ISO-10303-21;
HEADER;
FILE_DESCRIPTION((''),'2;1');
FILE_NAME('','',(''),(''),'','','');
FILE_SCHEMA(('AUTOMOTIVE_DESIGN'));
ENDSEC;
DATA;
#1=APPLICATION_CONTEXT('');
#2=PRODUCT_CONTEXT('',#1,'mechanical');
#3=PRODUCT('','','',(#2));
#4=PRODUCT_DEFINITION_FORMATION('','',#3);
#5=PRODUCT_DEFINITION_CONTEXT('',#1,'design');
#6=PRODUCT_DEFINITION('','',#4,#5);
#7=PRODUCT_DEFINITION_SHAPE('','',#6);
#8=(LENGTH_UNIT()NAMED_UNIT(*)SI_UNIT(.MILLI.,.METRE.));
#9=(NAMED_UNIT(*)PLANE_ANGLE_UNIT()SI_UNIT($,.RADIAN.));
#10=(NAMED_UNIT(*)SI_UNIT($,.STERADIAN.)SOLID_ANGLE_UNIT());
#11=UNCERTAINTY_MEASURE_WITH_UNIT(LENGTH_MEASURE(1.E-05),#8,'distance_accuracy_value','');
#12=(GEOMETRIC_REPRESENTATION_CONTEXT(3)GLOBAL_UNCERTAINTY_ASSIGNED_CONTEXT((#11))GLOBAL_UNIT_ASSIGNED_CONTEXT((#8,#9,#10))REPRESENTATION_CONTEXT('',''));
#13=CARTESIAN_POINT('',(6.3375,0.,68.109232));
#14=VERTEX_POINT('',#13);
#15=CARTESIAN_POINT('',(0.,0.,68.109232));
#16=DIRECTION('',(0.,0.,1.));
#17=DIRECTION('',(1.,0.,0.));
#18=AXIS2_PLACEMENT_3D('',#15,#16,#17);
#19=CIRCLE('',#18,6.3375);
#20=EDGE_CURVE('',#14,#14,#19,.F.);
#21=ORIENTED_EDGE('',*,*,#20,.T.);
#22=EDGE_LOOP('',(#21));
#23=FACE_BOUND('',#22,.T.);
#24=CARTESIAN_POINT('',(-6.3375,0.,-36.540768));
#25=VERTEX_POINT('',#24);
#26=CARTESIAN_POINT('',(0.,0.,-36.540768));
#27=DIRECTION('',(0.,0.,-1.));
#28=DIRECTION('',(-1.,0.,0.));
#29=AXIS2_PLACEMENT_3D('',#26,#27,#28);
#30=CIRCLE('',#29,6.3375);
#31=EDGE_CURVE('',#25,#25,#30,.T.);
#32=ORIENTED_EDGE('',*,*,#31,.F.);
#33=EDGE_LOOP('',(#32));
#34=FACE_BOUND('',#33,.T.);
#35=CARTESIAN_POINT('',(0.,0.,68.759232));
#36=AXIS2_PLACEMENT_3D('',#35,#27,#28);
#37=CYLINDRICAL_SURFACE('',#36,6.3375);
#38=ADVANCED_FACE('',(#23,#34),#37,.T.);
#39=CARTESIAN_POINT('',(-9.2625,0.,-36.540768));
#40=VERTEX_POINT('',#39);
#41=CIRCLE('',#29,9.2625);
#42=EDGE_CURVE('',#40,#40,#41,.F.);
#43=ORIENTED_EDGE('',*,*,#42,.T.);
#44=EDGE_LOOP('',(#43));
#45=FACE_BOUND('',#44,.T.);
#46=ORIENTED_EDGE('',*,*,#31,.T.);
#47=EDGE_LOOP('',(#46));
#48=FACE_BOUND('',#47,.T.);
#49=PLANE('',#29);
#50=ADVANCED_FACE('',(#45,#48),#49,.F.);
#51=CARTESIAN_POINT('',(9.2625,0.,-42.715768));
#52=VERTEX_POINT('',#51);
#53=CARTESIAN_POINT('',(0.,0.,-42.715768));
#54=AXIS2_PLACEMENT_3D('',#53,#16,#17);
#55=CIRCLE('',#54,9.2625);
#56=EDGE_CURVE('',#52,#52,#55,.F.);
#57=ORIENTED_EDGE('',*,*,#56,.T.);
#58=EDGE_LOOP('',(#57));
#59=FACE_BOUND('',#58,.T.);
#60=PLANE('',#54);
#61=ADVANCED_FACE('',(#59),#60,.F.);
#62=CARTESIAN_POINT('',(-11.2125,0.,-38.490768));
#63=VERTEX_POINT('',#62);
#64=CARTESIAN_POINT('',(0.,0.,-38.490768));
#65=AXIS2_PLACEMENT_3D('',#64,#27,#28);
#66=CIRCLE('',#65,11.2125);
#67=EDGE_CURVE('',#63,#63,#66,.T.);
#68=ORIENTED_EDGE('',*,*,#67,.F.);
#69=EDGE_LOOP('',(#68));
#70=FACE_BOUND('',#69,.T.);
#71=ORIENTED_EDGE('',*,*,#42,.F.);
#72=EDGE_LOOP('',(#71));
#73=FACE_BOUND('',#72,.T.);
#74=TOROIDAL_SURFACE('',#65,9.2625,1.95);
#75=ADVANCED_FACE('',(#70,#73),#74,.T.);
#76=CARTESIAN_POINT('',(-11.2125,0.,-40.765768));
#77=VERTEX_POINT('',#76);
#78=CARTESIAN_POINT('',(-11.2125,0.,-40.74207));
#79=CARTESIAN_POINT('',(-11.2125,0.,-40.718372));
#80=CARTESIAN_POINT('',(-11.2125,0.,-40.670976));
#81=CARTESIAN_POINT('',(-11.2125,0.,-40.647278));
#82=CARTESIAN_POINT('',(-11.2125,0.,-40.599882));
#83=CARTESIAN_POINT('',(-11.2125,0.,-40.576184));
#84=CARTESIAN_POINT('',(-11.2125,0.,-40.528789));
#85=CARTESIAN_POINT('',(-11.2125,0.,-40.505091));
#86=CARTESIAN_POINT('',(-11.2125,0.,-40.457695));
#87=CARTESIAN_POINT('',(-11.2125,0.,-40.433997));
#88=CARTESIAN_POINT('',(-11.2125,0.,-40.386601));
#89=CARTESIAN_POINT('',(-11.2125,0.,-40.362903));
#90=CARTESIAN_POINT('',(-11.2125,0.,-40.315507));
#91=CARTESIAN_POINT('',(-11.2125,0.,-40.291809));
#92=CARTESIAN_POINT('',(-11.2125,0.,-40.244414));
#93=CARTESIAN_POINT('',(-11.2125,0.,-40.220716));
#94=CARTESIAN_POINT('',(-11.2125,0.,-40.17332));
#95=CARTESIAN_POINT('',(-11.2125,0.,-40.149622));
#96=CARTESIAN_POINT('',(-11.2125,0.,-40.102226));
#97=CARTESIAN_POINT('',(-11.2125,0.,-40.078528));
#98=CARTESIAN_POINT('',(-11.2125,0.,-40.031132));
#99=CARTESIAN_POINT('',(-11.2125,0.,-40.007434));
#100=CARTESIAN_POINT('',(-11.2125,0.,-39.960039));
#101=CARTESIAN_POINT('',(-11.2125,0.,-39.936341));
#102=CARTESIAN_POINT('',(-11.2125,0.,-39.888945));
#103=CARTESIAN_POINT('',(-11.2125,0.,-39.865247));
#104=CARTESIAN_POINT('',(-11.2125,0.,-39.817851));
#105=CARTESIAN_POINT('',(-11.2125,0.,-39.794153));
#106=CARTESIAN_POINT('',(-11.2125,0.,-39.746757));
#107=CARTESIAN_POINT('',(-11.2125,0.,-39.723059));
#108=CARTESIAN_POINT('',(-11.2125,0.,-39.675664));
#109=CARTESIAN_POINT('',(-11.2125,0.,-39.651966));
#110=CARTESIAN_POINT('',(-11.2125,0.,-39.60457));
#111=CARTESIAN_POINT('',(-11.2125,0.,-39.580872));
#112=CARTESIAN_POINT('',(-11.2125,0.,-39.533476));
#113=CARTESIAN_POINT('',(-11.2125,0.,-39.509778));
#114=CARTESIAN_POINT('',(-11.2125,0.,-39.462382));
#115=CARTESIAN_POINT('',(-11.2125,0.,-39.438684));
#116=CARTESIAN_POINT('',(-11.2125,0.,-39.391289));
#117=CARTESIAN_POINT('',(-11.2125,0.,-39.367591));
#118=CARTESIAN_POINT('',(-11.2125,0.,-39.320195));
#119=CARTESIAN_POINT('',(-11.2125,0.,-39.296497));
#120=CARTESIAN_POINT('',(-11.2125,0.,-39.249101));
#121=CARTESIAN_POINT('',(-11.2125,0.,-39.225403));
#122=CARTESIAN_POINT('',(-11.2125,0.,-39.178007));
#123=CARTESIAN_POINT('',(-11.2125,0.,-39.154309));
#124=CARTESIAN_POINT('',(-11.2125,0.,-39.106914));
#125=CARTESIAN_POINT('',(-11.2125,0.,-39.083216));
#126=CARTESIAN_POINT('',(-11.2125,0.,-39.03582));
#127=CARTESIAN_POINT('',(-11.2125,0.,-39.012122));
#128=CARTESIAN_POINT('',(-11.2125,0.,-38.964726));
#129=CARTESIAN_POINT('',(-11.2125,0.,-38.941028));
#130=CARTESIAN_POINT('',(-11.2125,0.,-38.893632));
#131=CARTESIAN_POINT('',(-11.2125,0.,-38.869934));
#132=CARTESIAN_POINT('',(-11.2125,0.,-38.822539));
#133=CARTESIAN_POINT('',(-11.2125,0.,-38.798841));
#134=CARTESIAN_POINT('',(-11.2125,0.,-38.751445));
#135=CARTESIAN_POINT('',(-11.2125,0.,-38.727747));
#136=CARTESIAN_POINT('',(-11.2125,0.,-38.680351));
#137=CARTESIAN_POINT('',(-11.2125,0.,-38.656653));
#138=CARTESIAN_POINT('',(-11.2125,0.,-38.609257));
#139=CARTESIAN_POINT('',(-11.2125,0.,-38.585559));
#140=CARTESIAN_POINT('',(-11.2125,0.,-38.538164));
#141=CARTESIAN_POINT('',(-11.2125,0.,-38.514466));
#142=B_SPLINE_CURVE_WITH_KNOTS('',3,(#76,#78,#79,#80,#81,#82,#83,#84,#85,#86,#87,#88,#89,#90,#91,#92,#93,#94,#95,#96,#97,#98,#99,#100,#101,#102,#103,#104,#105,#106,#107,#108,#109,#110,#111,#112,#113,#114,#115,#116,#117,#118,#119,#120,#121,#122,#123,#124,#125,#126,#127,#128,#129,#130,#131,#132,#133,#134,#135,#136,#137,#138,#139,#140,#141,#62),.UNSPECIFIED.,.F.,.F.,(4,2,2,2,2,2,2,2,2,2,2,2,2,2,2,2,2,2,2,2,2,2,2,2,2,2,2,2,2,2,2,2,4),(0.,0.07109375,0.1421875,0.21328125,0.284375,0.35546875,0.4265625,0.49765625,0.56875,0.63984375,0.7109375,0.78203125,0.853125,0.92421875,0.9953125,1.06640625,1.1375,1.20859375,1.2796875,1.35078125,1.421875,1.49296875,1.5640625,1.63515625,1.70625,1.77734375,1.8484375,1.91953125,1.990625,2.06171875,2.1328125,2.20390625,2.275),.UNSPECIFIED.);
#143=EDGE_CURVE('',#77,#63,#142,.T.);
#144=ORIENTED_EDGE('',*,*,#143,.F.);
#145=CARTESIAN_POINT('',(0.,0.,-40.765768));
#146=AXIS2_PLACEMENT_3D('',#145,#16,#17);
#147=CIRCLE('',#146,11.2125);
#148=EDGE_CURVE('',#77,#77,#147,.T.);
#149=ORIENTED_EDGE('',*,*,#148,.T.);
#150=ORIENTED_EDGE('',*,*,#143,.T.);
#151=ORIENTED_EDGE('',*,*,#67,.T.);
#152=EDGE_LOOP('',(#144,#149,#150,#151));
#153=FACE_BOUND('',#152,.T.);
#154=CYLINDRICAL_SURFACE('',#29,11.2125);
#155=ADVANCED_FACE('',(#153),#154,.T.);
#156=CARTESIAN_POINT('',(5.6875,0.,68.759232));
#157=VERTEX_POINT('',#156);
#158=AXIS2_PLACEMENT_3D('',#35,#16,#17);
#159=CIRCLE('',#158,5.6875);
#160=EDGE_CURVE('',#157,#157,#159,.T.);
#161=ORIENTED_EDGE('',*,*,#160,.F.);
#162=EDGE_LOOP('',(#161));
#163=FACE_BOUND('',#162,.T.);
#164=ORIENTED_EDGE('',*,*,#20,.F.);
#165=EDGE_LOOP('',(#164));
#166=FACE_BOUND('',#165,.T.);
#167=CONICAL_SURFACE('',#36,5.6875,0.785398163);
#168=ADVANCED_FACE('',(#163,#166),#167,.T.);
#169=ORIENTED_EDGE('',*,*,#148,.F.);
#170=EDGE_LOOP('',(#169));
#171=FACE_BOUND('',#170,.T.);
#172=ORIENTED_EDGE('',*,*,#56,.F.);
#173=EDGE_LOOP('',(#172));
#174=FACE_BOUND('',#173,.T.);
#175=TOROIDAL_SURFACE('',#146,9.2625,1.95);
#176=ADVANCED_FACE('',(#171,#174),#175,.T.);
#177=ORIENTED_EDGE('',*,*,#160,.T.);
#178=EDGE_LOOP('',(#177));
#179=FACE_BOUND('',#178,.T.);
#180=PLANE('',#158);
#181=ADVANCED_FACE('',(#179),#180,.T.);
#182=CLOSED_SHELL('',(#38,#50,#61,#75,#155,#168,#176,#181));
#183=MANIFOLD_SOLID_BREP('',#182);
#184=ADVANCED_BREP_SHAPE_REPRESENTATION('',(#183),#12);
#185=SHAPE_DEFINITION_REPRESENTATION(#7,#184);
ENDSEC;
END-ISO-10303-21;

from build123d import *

# Parameters (mm, degrees)
ESQUISSE1_R        = 0.975
BOSS_EXTRU_1_DEPTH = 17.15
ESQUISSE2_R        = 1.725
BOSS_EXTRU_2_DEPTH = 0.95
CONG_1_R           = 0.3
CHANFREIN1_SIZE    = 0.1
SCALE1_SCALE       = 6.5


with BuildPart() as part:
    # Esquisse1 → Boss.-Extru.1 (new body)
    with BuildSketch(Plane.XY):
        Circle(ESQUISSE1_R)
    extrude(amount=BOSS_EXTRU_1_DEPTH)

    # Esquisse2 → Boss.-Extru.2 (add)
    with BuildSketch(Plane(origin=(0, 0, 0), x_dir=(-1, 0, 0), z_dir=(0, 0, -1))):
        Circle(ESQUISSE2_R)
    extrude(amount=-BOSS_EXTRU_2_DEPTH)

    # Congé1
    cong_1_edges = [part.edges().sort_by_distance(p)[0] for p in [
        (1.725, 0, 0),
        (1.725, 0, 0.95),
    ]]
    fillet(cong_1_edges, radius=CONG_1_R)

    # Chanfrein1
    chanfrein1_edges = [part.edges().sort_by_distance(p)[0] for p in [
        (-0.975, 0, 17.15),
    ]]
    chamfer(chanfrein1_edges, length=CHANFREIN1_SIZE)


with BuildPart() as part_1:
    # Scale1: scaled about (0, 0, 7.76650322)
    add(part.part.scale(SCALE1_SCALE).moved(Location((0, 0, -42.71576771))))


solid = part_1.part
